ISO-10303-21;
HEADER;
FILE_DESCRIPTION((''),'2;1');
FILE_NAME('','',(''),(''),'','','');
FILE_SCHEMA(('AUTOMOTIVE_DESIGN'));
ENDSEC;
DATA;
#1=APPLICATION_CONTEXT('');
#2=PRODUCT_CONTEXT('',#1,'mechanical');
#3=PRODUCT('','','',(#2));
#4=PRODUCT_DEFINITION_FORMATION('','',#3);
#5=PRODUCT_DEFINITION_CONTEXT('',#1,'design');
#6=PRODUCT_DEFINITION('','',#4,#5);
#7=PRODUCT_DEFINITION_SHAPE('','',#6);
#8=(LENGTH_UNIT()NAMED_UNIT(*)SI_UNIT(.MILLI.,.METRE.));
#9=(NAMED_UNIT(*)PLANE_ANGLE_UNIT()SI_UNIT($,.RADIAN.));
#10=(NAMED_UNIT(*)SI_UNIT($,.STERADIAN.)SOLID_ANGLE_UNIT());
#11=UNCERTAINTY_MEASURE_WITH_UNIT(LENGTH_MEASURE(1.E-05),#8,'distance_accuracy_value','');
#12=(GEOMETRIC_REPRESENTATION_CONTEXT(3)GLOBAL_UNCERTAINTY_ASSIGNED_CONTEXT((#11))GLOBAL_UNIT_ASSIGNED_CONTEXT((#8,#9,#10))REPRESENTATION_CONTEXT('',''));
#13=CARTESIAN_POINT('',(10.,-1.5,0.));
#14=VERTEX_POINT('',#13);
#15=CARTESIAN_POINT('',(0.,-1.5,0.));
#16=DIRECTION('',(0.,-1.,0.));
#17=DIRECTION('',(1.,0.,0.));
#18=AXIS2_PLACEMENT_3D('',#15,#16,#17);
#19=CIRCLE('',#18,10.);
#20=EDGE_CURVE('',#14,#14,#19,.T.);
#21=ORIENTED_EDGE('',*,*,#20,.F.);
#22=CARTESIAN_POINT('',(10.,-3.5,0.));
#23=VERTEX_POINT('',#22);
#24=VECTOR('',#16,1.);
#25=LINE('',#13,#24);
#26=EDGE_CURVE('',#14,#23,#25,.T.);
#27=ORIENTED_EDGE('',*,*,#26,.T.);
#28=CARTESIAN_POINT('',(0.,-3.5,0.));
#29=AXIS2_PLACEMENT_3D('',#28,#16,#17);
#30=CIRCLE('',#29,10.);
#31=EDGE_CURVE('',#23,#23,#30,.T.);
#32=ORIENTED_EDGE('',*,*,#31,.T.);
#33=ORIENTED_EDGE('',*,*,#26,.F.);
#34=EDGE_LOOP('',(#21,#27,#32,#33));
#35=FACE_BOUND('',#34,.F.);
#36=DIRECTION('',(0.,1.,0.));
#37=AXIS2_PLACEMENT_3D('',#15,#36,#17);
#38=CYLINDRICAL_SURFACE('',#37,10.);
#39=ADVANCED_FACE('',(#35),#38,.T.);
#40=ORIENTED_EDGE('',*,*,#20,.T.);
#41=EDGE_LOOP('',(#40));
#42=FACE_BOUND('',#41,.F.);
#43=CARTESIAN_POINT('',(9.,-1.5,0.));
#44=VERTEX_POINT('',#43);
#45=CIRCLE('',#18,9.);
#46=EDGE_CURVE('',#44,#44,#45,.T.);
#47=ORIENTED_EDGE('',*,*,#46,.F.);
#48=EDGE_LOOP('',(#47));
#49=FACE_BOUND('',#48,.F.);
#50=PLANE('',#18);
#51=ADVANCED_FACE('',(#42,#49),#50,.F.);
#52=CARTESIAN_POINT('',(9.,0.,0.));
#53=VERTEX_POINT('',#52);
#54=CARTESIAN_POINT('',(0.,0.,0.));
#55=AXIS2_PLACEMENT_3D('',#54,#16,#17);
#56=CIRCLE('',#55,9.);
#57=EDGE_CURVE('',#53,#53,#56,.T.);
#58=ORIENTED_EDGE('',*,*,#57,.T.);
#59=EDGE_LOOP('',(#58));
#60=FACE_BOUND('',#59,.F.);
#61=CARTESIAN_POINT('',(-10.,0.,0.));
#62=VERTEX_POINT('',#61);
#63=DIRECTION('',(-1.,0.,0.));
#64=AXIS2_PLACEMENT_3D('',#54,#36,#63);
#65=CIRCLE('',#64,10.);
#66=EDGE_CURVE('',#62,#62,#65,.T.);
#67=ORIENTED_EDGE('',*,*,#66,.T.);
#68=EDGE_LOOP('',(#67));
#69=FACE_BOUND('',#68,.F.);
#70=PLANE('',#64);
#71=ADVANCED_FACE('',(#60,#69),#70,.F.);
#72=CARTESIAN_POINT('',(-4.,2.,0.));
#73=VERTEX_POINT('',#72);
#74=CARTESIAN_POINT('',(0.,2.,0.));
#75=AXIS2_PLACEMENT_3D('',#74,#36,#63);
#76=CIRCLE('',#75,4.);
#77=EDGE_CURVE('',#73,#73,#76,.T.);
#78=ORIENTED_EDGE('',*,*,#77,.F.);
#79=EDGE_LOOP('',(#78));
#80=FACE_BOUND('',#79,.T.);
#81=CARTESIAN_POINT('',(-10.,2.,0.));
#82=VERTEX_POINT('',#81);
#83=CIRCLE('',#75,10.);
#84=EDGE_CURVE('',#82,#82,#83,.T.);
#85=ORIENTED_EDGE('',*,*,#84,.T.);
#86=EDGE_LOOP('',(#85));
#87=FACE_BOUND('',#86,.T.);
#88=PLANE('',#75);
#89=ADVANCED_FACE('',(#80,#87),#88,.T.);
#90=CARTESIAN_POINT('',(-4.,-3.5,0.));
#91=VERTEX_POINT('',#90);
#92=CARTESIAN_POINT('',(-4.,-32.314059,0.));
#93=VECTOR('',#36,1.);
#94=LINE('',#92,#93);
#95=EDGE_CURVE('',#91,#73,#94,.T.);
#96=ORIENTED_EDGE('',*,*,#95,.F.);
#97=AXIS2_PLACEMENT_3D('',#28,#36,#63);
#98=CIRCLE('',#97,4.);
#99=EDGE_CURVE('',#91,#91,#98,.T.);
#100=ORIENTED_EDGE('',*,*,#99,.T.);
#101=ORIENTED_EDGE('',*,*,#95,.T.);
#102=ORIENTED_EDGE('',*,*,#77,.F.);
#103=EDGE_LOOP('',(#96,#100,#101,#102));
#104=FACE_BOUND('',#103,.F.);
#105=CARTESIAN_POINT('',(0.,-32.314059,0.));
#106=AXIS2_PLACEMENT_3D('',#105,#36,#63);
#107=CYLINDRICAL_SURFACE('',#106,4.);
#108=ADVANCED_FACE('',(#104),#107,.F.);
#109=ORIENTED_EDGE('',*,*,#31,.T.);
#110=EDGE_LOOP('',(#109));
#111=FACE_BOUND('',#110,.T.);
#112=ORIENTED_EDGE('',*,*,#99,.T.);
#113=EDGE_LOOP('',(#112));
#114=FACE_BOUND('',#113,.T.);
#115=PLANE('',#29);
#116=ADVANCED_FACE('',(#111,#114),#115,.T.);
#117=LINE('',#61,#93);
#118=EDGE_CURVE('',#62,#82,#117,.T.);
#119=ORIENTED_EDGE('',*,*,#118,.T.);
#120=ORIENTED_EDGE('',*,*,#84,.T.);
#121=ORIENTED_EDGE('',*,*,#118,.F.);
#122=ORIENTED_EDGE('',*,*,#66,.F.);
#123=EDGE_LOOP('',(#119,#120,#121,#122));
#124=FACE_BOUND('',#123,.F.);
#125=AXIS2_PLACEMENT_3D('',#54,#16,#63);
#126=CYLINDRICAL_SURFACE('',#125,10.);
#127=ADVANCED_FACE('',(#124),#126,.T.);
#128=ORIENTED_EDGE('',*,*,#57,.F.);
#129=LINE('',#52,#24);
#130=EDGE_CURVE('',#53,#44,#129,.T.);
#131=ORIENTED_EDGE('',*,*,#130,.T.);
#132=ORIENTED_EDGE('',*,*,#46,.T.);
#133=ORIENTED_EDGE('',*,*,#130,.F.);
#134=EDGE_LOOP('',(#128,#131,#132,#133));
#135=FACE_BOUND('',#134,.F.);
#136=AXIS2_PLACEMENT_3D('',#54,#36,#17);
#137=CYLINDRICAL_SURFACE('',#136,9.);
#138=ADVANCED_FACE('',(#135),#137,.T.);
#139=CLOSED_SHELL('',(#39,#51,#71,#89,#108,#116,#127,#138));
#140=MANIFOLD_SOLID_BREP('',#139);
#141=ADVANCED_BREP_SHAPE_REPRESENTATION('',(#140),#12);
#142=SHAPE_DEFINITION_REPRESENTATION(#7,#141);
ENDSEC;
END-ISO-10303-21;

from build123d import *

# Parameters (mm, degrees)
F0_R     = 9
F1_DEPTH = 1.5
F2_R     = 10
F3_DEPTH = 2
F4_R     = 10
F5_DEPTH = 2
F7_D     = 8


with BuildPart() as f1:
    # F0 (on Front) → F1 (new body)
    with BuildSketch(Plane.XZ):
        Circle(F0_R)
    extrude(amount=F1_DEPTH)

    # F2 (on face) → F3 (join)
    with BuildSketch(Plane.XZ.offset(1.5)):
        Circle(F2_R)
    extrude(amount=F3_DEPTH)

    # F4 (on face) → F5 (join)
    with BuildSketch(Plane(origin=(0, 0, 0), x_dir=(-1, 0, 0), z_dir=(0, 1, 0))):
        Circle(F4_R)
    extrude(amount=F5_DEPTH)

    # F7 (through all)
    with Locations(Plane.XZ.offset(3.5)):
        with Locations((0, 0)):
            Hole(F7_D / 2)


solid = f1.part
